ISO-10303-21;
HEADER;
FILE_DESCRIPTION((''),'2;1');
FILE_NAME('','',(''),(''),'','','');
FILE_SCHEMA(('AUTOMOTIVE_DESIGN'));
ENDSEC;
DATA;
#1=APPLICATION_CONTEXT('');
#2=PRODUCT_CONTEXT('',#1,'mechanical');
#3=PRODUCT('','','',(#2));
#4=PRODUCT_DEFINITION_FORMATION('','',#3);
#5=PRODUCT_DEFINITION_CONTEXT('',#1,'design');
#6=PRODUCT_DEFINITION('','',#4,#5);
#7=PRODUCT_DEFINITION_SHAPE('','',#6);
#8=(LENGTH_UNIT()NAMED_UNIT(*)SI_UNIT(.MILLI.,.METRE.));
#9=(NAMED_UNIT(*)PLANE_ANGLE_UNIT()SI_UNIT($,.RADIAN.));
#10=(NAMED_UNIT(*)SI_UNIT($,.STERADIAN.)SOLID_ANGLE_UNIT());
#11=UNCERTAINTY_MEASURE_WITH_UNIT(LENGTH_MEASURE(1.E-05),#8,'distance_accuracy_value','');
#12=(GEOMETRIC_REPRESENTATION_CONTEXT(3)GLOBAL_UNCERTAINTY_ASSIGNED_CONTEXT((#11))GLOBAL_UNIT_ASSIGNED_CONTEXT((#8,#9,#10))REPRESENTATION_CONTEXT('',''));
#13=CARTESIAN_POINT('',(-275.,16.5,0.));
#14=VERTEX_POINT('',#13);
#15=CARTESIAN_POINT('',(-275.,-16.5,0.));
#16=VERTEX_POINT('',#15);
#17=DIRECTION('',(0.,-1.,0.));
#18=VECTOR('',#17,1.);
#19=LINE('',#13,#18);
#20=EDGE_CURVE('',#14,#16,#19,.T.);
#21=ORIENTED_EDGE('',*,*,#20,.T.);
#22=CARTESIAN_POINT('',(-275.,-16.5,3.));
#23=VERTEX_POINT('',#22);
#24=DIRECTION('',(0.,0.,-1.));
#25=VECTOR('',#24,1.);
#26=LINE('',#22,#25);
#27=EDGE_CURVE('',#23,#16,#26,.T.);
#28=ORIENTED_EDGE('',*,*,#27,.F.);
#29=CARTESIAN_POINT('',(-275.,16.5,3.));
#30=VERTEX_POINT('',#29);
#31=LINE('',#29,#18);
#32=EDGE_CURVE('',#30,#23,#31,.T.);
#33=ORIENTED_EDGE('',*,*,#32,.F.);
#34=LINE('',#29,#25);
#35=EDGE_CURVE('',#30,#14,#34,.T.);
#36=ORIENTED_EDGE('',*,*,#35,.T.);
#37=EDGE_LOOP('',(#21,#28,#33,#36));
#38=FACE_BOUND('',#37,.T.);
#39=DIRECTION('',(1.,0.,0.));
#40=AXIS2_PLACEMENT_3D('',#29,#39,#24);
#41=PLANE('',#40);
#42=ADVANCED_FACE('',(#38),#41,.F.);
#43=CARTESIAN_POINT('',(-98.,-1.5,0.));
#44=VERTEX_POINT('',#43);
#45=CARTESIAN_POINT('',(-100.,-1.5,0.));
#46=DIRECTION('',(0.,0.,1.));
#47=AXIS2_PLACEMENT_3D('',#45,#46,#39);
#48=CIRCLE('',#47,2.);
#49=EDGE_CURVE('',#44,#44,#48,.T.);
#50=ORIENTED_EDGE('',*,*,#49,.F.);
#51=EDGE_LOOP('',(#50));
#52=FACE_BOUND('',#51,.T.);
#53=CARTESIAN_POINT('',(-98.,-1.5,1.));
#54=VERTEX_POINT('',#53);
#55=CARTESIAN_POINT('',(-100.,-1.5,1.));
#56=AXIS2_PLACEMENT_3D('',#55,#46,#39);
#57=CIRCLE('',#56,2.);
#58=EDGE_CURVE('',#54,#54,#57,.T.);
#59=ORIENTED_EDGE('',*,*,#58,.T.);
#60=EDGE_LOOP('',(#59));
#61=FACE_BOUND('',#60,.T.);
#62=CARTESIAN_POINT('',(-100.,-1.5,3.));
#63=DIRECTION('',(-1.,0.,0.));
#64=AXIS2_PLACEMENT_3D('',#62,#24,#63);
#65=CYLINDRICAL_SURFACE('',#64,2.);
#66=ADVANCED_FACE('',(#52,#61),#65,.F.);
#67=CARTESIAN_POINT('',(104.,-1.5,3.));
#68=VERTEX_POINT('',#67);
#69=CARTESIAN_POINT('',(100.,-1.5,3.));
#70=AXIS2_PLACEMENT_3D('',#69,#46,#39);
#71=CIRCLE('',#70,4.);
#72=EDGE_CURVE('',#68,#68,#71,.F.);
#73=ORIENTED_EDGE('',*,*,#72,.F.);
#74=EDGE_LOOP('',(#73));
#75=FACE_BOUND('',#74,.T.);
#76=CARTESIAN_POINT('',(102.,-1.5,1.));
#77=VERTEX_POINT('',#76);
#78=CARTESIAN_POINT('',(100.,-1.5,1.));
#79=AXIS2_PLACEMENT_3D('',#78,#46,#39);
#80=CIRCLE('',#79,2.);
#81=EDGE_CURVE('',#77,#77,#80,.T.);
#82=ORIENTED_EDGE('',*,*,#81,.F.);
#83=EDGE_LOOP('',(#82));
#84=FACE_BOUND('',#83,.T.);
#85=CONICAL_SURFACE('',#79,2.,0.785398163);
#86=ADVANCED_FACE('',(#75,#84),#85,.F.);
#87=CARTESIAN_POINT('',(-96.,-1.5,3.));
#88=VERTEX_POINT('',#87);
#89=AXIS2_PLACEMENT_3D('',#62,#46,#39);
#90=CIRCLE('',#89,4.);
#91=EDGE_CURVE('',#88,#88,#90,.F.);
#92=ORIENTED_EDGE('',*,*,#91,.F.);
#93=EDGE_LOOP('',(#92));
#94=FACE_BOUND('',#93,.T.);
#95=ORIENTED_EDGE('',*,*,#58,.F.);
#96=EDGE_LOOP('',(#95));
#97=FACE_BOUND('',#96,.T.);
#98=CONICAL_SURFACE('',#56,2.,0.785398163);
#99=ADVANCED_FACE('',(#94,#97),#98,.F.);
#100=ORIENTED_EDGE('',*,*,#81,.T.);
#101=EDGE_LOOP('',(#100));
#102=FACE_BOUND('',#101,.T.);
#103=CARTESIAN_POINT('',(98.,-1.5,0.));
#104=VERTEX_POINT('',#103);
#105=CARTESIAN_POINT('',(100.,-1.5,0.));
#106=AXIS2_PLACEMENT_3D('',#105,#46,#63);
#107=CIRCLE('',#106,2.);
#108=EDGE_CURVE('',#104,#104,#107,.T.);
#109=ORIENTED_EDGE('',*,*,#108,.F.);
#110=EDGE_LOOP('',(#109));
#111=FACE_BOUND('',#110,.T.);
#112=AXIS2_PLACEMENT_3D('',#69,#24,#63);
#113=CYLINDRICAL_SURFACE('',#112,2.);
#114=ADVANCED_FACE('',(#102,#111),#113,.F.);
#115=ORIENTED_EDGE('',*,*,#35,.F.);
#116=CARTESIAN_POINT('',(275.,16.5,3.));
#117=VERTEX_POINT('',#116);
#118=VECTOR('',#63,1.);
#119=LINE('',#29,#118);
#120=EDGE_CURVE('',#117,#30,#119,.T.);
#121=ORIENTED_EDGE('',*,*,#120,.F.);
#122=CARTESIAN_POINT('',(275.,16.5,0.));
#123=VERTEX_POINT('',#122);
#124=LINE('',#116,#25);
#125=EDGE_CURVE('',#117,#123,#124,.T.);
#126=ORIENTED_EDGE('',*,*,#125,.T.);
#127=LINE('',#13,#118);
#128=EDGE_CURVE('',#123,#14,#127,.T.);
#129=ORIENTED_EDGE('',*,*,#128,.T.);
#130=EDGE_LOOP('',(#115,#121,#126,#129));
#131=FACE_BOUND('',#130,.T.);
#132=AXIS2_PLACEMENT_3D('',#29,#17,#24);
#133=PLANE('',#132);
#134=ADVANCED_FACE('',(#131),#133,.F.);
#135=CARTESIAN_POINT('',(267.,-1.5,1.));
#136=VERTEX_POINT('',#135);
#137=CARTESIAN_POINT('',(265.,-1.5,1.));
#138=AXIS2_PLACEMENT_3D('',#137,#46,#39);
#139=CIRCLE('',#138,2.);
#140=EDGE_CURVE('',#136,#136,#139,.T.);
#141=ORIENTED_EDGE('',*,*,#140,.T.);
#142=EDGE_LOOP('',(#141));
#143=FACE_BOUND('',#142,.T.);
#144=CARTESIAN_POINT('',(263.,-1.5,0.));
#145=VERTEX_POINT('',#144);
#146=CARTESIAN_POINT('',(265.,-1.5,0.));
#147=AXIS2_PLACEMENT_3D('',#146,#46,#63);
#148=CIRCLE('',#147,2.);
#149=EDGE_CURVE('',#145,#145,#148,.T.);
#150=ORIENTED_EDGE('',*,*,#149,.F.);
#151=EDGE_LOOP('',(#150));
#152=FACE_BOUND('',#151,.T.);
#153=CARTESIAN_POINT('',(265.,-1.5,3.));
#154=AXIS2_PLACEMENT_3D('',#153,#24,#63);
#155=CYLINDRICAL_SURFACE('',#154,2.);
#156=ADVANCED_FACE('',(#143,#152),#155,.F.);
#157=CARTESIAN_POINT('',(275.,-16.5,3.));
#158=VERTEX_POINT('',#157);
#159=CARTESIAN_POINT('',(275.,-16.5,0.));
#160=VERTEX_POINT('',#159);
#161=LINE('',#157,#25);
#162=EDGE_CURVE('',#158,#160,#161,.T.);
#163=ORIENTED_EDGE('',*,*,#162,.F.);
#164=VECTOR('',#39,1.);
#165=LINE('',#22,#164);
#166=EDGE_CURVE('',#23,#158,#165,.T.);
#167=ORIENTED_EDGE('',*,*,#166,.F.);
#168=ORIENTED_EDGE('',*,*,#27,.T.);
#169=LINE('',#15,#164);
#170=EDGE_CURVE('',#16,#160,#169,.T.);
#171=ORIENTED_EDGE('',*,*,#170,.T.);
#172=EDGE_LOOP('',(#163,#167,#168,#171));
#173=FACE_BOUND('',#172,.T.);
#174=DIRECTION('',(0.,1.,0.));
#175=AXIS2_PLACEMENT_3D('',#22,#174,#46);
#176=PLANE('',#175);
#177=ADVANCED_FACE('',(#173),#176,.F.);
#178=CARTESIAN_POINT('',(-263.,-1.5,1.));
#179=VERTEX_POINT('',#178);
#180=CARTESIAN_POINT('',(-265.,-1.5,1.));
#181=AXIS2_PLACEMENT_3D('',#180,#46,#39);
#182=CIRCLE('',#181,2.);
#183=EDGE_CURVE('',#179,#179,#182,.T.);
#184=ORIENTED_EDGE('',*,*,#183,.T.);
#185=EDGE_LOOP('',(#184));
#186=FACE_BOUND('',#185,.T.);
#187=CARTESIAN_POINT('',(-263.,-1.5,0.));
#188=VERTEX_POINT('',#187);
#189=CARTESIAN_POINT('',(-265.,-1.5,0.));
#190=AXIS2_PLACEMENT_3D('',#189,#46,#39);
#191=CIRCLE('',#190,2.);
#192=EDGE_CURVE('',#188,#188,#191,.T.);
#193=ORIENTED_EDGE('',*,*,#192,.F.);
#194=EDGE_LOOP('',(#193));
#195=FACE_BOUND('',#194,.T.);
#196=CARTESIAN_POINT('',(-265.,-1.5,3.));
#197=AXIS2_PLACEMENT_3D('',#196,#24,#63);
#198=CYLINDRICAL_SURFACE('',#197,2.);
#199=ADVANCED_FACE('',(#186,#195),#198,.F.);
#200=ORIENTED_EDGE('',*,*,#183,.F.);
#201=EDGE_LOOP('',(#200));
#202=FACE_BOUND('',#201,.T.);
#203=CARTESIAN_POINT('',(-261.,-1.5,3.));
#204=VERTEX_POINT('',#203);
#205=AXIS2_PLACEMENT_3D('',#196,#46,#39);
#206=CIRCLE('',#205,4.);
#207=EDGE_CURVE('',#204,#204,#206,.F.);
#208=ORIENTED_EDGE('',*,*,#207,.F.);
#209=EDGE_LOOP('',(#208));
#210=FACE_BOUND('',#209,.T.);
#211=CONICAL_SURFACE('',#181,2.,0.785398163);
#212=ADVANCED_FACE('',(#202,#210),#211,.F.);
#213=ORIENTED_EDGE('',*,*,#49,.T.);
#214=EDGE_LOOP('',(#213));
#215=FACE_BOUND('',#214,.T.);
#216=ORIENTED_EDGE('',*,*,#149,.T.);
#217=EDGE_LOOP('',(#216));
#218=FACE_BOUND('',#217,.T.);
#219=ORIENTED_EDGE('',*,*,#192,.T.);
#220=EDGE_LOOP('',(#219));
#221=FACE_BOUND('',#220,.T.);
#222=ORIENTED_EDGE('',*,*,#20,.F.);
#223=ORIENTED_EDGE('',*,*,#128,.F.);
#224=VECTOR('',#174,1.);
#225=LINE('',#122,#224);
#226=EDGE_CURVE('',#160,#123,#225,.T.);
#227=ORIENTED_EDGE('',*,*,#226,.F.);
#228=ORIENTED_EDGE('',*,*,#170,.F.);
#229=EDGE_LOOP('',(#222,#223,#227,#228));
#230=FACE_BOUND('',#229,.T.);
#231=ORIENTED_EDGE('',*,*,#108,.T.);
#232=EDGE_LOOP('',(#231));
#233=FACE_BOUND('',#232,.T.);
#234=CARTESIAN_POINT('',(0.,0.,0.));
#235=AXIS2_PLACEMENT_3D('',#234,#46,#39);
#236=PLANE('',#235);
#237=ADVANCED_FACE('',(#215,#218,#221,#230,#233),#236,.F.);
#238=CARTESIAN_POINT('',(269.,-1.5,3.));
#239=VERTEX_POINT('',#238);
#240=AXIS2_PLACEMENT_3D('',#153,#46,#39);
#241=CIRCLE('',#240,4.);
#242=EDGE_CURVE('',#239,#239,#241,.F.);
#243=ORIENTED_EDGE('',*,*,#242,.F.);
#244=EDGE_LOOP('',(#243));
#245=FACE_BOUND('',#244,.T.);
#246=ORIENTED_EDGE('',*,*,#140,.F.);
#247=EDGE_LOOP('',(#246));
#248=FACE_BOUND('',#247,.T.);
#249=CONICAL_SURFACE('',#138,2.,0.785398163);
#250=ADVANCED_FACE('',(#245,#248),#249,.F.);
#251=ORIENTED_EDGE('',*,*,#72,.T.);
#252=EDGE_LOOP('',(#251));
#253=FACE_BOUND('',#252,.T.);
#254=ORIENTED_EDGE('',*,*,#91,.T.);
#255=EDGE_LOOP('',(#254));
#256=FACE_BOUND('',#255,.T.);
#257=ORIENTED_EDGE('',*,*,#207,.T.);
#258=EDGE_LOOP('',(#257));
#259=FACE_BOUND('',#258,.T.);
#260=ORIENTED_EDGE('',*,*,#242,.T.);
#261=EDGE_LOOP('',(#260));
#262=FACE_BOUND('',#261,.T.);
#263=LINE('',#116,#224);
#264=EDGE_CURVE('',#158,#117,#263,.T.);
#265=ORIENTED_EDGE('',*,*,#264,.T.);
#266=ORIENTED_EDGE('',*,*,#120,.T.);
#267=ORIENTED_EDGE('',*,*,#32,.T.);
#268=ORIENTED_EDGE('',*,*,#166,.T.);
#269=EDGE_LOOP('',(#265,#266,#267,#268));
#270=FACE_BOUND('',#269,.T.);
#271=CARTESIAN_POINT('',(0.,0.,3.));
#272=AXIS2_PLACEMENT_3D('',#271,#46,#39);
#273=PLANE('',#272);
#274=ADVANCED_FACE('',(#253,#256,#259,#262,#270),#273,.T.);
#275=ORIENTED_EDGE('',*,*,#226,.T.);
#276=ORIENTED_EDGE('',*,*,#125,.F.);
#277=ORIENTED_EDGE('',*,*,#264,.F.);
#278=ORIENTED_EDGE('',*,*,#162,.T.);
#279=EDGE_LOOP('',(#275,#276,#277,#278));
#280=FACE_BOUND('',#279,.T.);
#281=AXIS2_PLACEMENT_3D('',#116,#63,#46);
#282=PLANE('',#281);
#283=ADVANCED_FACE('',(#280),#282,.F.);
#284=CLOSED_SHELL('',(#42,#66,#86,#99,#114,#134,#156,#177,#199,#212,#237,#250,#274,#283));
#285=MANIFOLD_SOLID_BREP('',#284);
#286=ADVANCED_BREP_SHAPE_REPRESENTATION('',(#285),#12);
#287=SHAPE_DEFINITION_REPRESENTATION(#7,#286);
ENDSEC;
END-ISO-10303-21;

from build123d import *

# Parameters (mm, degrees)
SKETCH_1_W          = 550
SKETCH_1_H          = 33
EXTRUDE_1_DEPTH     = 3
SKETCH_2_R          = 2
CUT_EXTRUDE_2_DEPTH = 276.510889077
CHAMFER_1_SIZE      = 2


with BuildPart() as part:
    # 草图1 → 凸台-拉伸1 (new body)
    with BuildSketch(Plane.XY):
        Rectangle(SKETCH_1_W, SKETCH_1_H)
    extrude(amount=EXTRUDE_1_DEPTH)

    # 草图2 → 切除-拉伸2 (cut, through all)
    with BuildSketch(Plane.XY):
        with Locations((-265, -1.5)):
            Circle(SKETCH_2_R)
        with Locations((-100, -1.5)):
            Circle(SKETCH_2_R)
        with Locations(Location((100, -1.5, 0), (0, 0, 180))):
            Circle(SKETCH_2_R)
        with Locations(Location((265, -1.5, 0), (0, 0, 180))):
            Circle(SKETCH_2_R)
    extrude(amount=CUT_EXTRUDE_2_DEPTH, mode=Mode.SUBTRACT)

    # 倒角1
    chamfer_1_edges = [part.edges().sort_by_distance(p)[0] for p in [
        (-267, -1.5, 3),
        (-102, -1.5, 3),
        (102, -1.5, 3),
        (267, -1.5, 3),
    ]]
    chamfer(chamfer_1_edges, length=CHAMFER_1_SIZE)


solid = part.part
